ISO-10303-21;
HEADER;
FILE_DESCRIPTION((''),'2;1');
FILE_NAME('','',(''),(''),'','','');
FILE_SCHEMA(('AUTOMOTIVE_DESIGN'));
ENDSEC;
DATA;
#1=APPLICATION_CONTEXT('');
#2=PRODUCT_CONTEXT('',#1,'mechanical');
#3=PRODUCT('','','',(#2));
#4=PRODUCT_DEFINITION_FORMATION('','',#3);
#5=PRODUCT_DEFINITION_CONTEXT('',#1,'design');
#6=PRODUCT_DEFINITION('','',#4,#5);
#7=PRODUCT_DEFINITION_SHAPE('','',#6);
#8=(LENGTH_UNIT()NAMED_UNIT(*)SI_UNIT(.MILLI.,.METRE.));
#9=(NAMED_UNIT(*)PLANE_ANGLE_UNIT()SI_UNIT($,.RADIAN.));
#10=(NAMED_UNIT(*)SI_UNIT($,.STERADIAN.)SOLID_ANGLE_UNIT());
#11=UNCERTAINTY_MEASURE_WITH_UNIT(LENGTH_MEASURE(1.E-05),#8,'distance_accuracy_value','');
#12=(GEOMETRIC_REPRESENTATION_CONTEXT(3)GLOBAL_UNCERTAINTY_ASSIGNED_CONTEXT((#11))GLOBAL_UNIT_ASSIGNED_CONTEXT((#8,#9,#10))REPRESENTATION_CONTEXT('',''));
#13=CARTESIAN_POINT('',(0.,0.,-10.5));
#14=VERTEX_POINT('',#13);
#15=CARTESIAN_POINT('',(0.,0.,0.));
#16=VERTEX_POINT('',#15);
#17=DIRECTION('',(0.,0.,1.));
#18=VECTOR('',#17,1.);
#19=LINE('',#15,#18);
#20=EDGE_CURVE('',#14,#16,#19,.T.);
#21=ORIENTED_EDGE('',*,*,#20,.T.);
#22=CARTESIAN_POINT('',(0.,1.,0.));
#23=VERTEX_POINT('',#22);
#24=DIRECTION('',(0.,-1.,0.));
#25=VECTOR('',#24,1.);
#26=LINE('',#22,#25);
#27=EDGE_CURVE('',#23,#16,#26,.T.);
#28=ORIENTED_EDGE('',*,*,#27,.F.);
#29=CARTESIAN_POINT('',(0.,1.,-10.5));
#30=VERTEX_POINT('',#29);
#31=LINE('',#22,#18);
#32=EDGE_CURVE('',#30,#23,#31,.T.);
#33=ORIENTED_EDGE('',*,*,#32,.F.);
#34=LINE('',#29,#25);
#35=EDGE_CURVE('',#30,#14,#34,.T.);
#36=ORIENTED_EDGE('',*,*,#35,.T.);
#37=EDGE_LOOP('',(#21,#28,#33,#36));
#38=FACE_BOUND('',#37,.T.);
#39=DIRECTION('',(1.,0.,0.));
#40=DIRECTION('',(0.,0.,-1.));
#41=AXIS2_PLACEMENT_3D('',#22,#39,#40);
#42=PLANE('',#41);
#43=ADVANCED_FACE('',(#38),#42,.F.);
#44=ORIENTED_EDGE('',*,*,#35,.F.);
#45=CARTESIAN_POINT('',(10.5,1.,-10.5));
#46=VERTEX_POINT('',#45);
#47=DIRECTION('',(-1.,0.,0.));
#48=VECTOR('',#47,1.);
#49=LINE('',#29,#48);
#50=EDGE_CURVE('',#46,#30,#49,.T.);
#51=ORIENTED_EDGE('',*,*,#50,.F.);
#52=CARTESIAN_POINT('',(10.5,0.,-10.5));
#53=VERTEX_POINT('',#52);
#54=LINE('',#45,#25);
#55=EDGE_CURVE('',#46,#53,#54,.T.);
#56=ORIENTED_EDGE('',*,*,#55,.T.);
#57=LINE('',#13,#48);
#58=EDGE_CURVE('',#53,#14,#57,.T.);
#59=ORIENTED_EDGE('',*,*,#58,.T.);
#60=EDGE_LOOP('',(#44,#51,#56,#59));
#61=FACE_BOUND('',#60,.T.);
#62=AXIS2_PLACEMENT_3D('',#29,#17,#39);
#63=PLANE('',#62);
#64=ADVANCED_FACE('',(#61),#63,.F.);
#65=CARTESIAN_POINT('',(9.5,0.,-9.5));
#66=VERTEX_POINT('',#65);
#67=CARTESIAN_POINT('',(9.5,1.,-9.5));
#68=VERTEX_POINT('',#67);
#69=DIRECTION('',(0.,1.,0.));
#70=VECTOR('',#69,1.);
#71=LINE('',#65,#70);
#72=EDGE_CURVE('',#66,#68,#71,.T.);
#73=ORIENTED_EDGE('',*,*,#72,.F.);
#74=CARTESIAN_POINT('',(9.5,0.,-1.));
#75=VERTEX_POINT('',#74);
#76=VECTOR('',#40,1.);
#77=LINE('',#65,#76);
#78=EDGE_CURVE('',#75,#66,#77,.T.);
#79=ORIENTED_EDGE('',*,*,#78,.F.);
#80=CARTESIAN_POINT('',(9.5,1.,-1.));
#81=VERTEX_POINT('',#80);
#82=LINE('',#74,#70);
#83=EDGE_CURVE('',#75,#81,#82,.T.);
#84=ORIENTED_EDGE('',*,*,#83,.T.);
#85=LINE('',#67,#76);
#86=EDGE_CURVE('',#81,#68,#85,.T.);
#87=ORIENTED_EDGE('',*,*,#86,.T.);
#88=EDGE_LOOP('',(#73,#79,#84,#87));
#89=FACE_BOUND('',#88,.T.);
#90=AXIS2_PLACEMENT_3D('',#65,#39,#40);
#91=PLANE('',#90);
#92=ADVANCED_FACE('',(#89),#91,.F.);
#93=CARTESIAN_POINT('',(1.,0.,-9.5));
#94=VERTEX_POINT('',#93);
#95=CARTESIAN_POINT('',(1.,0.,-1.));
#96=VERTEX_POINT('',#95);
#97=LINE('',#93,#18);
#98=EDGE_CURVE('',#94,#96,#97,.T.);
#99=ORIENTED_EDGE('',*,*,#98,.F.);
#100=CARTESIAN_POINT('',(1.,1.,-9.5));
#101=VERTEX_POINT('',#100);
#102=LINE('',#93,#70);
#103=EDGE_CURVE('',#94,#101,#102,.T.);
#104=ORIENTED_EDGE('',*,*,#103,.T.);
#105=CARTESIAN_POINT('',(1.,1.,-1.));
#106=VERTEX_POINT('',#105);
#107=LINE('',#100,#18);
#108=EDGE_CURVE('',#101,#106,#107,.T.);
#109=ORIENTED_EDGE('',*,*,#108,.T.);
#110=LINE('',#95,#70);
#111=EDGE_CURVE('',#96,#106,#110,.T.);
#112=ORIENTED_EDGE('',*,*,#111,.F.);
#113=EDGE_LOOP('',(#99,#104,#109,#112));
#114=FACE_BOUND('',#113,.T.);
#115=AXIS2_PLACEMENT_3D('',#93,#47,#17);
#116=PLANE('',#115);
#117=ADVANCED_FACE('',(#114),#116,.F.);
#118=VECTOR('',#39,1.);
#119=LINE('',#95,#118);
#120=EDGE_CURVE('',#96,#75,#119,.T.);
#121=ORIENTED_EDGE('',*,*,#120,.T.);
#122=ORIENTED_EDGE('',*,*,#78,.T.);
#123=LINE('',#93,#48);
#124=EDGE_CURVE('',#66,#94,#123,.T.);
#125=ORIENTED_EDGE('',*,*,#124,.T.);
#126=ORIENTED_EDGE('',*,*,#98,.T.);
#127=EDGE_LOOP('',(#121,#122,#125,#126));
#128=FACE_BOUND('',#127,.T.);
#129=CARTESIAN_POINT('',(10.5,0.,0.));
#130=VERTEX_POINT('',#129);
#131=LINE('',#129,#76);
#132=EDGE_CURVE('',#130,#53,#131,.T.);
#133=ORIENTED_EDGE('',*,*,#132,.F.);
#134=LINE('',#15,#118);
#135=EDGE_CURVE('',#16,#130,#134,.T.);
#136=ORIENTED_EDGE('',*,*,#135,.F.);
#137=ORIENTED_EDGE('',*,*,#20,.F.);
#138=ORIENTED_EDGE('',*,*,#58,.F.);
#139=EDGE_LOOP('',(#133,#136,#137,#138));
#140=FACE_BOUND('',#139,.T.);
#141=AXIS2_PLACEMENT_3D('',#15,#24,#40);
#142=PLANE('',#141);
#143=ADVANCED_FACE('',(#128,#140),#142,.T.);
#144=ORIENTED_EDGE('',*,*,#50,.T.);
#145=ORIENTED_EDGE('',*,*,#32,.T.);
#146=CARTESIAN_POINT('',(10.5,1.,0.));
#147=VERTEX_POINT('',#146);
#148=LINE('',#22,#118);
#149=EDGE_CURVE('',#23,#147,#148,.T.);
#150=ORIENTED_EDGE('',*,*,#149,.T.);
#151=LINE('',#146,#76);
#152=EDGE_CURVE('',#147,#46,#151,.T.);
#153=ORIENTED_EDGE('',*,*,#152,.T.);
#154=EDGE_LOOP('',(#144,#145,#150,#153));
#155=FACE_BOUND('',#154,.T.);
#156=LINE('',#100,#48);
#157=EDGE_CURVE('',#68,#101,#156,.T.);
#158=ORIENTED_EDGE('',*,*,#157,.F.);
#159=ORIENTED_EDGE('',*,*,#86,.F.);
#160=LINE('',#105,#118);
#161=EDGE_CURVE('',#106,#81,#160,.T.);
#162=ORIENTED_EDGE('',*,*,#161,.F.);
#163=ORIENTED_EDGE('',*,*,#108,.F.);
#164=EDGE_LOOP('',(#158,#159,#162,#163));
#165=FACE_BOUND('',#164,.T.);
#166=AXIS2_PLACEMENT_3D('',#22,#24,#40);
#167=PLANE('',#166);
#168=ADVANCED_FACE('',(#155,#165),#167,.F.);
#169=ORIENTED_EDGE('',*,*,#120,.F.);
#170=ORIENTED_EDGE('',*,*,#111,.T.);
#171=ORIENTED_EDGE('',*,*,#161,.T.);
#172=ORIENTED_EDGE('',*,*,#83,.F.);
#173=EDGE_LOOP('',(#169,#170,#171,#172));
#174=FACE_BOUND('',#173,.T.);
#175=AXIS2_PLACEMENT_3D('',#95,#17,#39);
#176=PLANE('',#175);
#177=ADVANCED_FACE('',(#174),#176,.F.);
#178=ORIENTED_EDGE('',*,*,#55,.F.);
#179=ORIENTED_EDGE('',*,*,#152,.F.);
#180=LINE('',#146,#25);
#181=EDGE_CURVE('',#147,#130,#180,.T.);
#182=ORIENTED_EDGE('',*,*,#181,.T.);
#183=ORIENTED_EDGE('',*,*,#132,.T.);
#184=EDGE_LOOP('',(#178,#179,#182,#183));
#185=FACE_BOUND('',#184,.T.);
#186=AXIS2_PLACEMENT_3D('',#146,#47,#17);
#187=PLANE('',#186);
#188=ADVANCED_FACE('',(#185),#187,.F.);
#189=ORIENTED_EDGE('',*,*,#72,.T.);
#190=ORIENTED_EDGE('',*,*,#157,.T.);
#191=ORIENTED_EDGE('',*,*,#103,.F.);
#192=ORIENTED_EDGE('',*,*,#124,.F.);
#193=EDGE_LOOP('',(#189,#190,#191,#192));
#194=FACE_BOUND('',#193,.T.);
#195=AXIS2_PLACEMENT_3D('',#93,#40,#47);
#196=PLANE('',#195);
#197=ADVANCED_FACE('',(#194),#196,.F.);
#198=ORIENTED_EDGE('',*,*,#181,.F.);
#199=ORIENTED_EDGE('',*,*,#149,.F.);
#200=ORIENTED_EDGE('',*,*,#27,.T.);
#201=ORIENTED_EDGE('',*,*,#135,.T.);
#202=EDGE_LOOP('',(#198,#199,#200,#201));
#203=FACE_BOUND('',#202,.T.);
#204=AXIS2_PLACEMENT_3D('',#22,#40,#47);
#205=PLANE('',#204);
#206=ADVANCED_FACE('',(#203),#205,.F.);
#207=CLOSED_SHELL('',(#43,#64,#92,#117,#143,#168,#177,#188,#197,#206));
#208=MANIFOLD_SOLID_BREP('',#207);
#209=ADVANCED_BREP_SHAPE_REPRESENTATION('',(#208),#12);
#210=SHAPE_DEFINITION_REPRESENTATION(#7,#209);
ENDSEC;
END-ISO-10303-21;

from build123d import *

# Parameters (mm, degrees)
SKETCH1_W           = 10.5
SKETCH1_H           = 10.5
BOSS_EXTRUDE1_DEPTH = 1
SKETCH2_W           = 8.5
SKETCH2_H           = 8.5
CUT_EXTRUDE1_DEPTH  = 2


with BuildPart() as part:
    # Sketch1 → Boss-Extrude1 (new body)
    with BuildSketch(Plane(origin=(0, 0, 0), x_dir=(1, 0, 0), z_dir=(0, 1, 0))):
        with Locations((5.25, 5.25)):
            Rectangle(SKETCH1_W, SKETCH1_H)
    extrude(amount=BOSS_EXTRUDE1_DEPTH)

    # Sketch2 → Cut-Extrude1 (cut, through all)
    with BuildSketch(Plane(origin=(0, 1, 0), x_dir=(1, 0, 0), z_dir=(0, 1, 0))):
        with Locations((5.25, 5.25)):
            Rectangle(SKETCH2_W, SKETCH2_H)
    extrude(amount=-CUT_EXTRUDE1_DEPTH, mode=Mode.SUBTRACT)


solid = part.part
